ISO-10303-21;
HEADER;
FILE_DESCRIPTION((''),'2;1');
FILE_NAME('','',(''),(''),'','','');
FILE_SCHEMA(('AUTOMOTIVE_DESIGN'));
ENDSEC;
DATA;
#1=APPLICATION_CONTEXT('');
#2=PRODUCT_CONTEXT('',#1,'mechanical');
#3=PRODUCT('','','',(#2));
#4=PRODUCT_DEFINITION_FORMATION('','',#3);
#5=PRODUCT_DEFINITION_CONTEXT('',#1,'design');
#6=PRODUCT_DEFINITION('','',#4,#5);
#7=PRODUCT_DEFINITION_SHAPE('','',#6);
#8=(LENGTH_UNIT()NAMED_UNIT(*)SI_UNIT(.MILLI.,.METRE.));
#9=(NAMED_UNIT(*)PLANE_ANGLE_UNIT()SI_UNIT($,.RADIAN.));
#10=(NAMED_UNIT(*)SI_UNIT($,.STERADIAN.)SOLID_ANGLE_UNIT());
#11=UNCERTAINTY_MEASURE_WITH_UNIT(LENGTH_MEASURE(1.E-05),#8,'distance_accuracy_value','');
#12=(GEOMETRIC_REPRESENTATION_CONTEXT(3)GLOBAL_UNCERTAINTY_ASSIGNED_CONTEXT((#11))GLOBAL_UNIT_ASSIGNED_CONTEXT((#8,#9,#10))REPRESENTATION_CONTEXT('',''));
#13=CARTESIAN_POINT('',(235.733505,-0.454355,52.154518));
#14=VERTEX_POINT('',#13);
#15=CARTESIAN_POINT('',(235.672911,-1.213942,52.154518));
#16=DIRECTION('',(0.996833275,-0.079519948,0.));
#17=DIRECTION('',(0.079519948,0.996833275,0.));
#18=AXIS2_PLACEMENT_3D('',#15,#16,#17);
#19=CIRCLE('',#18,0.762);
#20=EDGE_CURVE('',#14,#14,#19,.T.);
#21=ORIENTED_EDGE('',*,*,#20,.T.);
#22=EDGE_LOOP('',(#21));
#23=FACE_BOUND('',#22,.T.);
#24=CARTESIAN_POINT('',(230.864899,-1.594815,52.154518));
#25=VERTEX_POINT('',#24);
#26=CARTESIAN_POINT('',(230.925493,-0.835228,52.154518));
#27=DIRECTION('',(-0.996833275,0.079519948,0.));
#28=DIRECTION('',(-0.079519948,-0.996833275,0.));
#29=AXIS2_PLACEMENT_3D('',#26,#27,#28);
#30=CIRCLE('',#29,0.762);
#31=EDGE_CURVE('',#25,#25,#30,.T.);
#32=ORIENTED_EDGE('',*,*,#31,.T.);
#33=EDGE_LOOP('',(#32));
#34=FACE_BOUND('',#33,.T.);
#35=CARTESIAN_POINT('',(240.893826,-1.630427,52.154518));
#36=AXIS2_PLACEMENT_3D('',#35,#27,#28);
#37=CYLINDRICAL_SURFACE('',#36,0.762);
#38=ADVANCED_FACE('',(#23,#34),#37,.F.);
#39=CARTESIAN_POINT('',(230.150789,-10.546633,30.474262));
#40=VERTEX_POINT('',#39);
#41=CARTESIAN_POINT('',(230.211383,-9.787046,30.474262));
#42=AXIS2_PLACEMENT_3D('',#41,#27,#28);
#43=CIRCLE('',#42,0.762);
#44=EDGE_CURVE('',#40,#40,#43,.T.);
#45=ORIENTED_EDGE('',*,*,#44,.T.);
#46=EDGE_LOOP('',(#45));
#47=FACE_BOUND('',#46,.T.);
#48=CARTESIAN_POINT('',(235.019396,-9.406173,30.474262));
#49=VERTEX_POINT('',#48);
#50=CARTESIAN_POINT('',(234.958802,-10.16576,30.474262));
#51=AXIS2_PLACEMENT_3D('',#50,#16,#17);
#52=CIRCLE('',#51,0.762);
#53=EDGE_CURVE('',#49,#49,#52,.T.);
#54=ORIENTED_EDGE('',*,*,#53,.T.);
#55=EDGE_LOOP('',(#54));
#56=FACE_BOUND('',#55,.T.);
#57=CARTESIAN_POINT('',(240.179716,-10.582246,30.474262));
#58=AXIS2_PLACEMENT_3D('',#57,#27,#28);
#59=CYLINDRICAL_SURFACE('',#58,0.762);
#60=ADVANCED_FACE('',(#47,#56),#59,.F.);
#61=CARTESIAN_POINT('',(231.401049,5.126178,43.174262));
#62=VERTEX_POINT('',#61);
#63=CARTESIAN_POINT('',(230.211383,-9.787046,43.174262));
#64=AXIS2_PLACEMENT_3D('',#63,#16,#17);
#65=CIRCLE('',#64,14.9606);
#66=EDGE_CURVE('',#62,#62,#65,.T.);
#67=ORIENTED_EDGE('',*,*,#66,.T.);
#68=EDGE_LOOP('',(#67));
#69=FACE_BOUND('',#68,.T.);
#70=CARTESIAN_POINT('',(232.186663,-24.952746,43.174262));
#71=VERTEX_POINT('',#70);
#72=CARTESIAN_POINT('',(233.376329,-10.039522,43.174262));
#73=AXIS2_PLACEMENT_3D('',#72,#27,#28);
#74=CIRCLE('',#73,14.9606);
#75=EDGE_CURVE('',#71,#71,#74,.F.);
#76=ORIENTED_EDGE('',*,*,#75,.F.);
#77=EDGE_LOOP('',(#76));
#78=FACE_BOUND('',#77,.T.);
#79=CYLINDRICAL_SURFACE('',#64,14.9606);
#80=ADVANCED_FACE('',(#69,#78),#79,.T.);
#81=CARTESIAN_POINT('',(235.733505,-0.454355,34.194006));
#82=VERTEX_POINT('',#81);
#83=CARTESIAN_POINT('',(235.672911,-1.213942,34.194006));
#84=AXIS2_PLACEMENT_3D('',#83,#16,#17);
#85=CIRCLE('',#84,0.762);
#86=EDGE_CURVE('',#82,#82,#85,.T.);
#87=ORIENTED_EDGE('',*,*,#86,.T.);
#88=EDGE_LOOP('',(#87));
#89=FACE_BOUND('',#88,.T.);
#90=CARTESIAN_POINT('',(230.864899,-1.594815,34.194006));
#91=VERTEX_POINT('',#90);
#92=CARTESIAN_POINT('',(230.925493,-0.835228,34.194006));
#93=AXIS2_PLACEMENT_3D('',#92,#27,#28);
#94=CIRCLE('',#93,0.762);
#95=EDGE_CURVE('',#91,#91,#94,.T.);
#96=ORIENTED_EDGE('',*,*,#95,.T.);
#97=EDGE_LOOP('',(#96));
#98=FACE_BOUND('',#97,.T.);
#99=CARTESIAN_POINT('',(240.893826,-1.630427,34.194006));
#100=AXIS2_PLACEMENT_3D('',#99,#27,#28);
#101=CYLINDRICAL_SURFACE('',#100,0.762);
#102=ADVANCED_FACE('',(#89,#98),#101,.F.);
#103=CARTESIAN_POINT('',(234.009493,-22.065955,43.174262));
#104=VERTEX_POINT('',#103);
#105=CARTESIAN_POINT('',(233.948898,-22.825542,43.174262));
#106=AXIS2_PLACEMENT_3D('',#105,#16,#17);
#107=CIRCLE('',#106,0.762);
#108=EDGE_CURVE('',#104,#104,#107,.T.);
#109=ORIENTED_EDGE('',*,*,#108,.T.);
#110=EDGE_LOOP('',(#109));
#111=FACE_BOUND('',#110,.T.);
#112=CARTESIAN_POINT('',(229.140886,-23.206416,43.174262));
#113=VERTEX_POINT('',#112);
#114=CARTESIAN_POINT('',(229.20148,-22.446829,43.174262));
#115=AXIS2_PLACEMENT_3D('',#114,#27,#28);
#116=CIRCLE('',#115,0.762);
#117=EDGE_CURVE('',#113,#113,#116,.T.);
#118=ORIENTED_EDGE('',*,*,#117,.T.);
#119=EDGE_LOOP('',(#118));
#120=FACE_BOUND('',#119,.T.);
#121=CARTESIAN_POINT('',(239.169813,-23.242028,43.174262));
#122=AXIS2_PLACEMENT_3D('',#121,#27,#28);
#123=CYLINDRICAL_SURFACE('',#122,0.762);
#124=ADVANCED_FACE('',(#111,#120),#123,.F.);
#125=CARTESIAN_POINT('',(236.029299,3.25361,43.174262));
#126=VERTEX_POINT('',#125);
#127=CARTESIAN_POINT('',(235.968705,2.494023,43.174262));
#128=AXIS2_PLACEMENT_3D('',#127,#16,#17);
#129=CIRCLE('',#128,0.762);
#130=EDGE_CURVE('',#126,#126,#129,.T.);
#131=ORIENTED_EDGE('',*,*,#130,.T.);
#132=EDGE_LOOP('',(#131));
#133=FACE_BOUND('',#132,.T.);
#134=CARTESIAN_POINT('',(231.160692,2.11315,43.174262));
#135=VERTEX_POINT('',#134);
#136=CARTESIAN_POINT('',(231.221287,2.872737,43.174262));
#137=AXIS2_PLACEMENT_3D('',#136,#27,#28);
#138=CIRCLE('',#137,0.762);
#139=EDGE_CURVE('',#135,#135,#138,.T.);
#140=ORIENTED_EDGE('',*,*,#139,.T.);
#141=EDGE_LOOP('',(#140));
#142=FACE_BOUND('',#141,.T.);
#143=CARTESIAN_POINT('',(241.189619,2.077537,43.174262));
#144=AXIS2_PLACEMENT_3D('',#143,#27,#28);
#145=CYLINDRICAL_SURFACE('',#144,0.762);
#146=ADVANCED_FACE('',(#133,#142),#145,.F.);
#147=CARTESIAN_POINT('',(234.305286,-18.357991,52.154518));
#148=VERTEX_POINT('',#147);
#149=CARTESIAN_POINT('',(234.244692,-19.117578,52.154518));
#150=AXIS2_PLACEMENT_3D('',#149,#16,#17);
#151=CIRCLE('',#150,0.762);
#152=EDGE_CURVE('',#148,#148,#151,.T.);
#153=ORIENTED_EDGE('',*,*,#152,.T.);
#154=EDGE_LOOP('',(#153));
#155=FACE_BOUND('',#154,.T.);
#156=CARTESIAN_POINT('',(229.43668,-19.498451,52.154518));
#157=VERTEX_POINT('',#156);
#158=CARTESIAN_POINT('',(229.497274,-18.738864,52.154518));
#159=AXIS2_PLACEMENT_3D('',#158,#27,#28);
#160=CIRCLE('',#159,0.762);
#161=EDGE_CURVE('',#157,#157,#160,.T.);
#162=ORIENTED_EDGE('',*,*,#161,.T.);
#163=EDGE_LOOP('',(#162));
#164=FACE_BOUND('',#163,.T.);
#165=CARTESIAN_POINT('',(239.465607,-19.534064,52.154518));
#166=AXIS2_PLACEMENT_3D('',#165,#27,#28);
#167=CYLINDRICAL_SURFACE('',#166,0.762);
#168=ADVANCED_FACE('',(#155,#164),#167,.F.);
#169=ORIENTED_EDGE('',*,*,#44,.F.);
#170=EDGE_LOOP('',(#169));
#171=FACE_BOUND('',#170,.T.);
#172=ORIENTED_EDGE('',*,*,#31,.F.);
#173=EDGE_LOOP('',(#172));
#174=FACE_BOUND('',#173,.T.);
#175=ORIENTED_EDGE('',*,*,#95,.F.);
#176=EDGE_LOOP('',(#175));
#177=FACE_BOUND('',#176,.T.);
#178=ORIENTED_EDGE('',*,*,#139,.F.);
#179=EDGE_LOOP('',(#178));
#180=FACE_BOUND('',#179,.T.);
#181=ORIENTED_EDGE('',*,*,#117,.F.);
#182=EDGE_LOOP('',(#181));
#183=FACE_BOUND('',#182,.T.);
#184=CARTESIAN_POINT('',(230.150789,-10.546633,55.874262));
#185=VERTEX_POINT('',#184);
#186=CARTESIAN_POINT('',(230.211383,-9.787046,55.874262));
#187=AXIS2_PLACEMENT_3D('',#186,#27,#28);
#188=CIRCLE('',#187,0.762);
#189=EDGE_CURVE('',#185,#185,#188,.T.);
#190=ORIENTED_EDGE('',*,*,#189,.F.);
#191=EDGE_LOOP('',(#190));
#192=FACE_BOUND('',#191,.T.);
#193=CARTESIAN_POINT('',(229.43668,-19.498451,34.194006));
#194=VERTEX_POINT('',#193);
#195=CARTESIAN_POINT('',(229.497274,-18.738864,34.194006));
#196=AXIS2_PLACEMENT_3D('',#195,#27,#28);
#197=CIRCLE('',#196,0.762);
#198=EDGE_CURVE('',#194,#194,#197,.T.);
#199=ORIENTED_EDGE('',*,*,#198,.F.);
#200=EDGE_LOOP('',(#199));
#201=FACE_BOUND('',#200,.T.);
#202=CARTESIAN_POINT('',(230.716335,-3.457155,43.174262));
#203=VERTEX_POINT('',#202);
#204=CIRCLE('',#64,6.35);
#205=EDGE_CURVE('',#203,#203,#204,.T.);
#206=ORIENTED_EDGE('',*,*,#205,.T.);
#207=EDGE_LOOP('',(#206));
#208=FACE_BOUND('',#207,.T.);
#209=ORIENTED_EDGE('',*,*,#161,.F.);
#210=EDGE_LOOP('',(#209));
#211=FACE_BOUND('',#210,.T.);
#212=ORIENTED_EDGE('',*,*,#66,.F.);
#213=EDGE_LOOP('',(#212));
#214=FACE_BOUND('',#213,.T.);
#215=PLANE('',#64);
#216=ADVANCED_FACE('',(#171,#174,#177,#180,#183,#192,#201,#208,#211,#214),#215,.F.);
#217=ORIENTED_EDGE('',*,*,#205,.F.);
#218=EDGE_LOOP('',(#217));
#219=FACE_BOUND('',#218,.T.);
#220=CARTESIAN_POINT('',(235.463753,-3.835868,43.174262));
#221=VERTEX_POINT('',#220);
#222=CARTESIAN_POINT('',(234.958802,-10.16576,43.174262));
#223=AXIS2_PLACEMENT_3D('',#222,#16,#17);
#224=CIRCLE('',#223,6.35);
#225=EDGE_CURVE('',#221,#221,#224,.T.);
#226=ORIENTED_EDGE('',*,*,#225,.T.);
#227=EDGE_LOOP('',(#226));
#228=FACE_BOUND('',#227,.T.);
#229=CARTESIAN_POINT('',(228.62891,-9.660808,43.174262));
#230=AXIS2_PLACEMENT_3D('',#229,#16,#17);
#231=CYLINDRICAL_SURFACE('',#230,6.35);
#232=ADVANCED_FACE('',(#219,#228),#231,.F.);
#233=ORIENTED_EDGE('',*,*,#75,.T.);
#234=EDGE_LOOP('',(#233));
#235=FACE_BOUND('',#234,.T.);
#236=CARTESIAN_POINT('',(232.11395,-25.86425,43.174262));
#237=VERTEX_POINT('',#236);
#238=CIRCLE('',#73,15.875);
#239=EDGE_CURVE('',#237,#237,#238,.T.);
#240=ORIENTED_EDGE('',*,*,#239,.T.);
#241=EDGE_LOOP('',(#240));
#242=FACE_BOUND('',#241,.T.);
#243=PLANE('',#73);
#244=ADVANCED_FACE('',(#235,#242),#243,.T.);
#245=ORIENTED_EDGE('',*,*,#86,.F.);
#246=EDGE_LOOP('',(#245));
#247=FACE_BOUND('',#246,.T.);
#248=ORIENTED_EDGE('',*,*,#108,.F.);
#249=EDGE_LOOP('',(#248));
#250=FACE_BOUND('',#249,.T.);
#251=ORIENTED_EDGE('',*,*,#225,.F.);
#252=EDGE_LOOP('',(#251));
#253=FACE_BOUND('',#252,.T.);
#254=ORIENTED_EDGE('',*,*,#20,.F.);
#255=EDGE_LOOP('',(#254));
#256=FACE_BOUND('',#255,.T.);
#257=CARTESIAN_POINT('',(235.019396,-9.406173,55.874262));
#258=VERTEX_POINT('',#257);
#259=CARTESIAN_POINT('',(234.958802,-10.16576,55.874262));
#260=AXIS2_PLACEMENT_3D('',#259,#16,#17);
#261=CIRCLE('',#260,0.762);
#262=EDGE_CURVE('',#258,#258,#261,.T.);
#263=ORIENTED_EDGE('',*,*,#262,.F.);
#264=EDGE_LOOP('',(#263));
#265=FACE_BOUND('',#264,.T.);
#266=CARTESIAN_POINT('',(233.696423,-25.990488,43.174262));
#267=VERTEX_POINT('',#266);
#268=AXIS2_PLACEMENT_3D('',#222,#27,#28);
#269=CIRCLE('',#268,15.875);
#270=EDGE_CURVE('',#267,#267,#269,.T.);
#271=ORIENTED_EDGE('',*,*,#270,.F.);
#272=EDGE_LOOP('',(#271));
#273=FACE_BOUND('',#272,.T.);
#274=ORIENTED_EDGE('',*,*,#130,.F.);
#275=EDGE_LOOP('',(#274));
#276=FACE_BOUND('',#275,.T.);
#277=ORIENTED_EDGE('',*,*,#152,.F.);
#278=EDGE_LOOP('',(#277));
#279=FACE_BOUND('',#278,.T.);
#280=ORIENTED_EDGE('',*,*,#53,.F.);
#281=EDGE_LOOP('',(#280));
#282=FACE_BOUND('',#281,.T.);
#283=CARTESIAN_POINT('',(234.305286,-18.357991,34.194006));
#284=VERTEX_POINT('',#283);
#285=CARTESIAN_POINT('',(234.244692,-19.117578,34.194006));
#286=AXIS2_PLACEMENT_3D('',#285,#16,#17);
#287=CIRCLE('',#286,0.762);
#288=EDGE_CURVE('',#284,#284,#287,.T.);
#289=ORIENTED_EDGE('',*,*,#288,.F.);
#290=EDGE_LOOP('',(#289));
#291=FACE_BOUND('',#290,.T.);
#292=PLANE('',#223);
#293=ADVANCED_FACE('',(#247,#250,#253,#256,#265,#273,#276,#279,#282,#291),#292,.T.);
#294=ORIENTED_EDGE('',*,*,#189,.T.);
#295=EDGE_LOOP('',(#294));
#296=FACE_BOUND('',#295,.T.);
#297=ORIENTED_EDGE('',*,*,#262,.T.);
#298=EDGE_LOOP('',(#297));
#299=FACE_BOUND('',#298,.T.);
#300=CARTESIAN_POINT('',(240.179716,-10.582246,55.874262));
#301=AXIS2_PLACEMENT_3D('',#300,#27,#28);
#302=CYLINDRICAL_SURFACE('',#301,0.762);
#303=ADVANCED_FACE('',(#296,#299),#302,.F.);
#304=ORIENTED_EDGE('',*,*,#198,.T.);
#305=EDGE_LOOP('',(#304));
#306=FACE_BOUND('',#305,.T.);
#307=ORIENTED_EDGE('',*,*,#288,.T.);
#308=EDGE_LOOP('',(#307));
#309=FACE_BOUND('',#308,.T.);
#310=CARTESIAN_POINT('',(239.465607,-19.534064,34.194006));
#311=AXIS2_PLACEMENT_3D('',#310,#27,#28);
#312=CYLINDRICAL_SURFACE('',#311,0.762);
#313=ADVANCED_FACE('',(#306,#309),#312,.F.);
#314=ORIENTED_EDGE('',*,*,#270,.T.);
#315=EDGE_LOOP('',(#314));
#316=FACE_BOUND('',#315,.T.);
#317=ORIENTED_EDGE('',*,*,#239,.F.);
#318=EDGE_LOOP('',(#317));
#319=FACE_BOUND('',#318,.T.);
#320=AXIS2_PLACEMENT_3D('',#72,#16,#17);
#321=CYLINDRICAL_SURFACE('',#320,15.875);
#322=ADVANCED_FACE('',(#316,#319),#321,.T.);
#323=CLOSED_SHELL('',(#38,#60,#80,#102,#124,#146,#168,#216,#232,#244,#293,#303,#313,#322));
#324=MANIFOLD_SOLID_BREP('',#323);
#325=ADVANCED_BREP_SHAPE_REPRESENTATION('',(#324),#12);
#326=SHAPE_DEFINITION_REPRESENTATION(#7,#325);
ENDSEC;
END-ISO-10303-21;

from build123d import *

# Parameters (mm, degrees)
SKETCH1_R           = 14.9606
BOSS_EXTRUDE1_DEPTH = 4.7625
SKETCH2_R           = 6.35
CUT_EXTRUDE1_DEPTH  = 6.35
SKETCH3_R           = 0.762
CUT_EXTRUDE2_DEPTH  = 10
SKETCH5_R           = 15.875
SKETCH5_R_2         = 14.9606
BOSS_EXTRUDE2_DEPTH = 1.5875


with BuildPart() as part:
    # Sketch1 → Boss-Extrude1 (new body)
    with BuildSketch(Plane(origin=(234.278878836, -18.689027227, 0), x_dir=(0, 0, -1), z_dir=(0.9968332748770866, -0.0795199477981641, 0))):
        with Locations((-43.174261814, 8.550344032)):
            Circle(SKETCH1_R)
    extrude(amount=-BOSS_EXTRUDE1_DEPTH)

    # Sketch2 → Cut-Extrude1 (cut)
    with BuildSketch(Plane(origin=(234.278878836, -18.689027227, 0), x_dir=(0, 0, -1), z_dir=(0.9968332748770866, -0.07951994779816411, 0))):
        with Locations((-43.174261814, 8.550344032)):
            Circle(SKETCH2_R)
    extrude(amount=-CUT_EXTRUDE1_DEPTH, mode=Mode.SUBTRACT)

    # Sketch3 → Cut-Extrude2 (cut)
    with BuildSketch(Plane(origin=(229.531460364, -18.310313476, 0), x_dir=(0, 0, 1), z_dir=(-0.9968332748770866, 0.07951994779816411, 0))):
        with Locations((43.174261814, 21.250344032)):
            Circle(SKETCH3_R)
        with Locations((52.154517935, 17.530600153)):
            Circle(SKETCH3_R)
        with Locations((55.874261814, 8.550344032)):
            Circle(SKETCH3_R)
        with Locations((52.154517935, -0.429912089)):
            Circle(SKETCH3_R)
        with Locations((43.174261814, -4.149655968)):
            Circle(SKETCH3_R)
        with Locations((34.194005693, -0.429912089)):
            Circle(SKETCH3_R)
        with Locations((30.474261814, 8.550344032)):
            Circle(SKETCH3_R)
        with Locations((34.194005693, 17.530600153)):
            Circle(SKETCH3_R)
    extrude(amount=-CUT_EXTRUDE2_DEPTH, mode=Mode.SUBTRACT)

    # Sketch5 → Boss-Extrude2 (add)
    with BuildSketch(Plane(origin=(234.278878836, -18.689027227, 0), x_dir=(0, 0, 1), z_dir=(-0.9968332748770866, 0.07951994779816411, 0))):
        with Locations((43.174261814, 8.550344032)):
            Circle(SKETCH5_R)
        with Locations((43.174261814, 8.550344032)):
            Circle(SKETCH5_R_2, mode=Mode.SUBTRACT)
    extrude(amount=BOSS_EXTRUDE2_DEPTH)


solid = part.part
